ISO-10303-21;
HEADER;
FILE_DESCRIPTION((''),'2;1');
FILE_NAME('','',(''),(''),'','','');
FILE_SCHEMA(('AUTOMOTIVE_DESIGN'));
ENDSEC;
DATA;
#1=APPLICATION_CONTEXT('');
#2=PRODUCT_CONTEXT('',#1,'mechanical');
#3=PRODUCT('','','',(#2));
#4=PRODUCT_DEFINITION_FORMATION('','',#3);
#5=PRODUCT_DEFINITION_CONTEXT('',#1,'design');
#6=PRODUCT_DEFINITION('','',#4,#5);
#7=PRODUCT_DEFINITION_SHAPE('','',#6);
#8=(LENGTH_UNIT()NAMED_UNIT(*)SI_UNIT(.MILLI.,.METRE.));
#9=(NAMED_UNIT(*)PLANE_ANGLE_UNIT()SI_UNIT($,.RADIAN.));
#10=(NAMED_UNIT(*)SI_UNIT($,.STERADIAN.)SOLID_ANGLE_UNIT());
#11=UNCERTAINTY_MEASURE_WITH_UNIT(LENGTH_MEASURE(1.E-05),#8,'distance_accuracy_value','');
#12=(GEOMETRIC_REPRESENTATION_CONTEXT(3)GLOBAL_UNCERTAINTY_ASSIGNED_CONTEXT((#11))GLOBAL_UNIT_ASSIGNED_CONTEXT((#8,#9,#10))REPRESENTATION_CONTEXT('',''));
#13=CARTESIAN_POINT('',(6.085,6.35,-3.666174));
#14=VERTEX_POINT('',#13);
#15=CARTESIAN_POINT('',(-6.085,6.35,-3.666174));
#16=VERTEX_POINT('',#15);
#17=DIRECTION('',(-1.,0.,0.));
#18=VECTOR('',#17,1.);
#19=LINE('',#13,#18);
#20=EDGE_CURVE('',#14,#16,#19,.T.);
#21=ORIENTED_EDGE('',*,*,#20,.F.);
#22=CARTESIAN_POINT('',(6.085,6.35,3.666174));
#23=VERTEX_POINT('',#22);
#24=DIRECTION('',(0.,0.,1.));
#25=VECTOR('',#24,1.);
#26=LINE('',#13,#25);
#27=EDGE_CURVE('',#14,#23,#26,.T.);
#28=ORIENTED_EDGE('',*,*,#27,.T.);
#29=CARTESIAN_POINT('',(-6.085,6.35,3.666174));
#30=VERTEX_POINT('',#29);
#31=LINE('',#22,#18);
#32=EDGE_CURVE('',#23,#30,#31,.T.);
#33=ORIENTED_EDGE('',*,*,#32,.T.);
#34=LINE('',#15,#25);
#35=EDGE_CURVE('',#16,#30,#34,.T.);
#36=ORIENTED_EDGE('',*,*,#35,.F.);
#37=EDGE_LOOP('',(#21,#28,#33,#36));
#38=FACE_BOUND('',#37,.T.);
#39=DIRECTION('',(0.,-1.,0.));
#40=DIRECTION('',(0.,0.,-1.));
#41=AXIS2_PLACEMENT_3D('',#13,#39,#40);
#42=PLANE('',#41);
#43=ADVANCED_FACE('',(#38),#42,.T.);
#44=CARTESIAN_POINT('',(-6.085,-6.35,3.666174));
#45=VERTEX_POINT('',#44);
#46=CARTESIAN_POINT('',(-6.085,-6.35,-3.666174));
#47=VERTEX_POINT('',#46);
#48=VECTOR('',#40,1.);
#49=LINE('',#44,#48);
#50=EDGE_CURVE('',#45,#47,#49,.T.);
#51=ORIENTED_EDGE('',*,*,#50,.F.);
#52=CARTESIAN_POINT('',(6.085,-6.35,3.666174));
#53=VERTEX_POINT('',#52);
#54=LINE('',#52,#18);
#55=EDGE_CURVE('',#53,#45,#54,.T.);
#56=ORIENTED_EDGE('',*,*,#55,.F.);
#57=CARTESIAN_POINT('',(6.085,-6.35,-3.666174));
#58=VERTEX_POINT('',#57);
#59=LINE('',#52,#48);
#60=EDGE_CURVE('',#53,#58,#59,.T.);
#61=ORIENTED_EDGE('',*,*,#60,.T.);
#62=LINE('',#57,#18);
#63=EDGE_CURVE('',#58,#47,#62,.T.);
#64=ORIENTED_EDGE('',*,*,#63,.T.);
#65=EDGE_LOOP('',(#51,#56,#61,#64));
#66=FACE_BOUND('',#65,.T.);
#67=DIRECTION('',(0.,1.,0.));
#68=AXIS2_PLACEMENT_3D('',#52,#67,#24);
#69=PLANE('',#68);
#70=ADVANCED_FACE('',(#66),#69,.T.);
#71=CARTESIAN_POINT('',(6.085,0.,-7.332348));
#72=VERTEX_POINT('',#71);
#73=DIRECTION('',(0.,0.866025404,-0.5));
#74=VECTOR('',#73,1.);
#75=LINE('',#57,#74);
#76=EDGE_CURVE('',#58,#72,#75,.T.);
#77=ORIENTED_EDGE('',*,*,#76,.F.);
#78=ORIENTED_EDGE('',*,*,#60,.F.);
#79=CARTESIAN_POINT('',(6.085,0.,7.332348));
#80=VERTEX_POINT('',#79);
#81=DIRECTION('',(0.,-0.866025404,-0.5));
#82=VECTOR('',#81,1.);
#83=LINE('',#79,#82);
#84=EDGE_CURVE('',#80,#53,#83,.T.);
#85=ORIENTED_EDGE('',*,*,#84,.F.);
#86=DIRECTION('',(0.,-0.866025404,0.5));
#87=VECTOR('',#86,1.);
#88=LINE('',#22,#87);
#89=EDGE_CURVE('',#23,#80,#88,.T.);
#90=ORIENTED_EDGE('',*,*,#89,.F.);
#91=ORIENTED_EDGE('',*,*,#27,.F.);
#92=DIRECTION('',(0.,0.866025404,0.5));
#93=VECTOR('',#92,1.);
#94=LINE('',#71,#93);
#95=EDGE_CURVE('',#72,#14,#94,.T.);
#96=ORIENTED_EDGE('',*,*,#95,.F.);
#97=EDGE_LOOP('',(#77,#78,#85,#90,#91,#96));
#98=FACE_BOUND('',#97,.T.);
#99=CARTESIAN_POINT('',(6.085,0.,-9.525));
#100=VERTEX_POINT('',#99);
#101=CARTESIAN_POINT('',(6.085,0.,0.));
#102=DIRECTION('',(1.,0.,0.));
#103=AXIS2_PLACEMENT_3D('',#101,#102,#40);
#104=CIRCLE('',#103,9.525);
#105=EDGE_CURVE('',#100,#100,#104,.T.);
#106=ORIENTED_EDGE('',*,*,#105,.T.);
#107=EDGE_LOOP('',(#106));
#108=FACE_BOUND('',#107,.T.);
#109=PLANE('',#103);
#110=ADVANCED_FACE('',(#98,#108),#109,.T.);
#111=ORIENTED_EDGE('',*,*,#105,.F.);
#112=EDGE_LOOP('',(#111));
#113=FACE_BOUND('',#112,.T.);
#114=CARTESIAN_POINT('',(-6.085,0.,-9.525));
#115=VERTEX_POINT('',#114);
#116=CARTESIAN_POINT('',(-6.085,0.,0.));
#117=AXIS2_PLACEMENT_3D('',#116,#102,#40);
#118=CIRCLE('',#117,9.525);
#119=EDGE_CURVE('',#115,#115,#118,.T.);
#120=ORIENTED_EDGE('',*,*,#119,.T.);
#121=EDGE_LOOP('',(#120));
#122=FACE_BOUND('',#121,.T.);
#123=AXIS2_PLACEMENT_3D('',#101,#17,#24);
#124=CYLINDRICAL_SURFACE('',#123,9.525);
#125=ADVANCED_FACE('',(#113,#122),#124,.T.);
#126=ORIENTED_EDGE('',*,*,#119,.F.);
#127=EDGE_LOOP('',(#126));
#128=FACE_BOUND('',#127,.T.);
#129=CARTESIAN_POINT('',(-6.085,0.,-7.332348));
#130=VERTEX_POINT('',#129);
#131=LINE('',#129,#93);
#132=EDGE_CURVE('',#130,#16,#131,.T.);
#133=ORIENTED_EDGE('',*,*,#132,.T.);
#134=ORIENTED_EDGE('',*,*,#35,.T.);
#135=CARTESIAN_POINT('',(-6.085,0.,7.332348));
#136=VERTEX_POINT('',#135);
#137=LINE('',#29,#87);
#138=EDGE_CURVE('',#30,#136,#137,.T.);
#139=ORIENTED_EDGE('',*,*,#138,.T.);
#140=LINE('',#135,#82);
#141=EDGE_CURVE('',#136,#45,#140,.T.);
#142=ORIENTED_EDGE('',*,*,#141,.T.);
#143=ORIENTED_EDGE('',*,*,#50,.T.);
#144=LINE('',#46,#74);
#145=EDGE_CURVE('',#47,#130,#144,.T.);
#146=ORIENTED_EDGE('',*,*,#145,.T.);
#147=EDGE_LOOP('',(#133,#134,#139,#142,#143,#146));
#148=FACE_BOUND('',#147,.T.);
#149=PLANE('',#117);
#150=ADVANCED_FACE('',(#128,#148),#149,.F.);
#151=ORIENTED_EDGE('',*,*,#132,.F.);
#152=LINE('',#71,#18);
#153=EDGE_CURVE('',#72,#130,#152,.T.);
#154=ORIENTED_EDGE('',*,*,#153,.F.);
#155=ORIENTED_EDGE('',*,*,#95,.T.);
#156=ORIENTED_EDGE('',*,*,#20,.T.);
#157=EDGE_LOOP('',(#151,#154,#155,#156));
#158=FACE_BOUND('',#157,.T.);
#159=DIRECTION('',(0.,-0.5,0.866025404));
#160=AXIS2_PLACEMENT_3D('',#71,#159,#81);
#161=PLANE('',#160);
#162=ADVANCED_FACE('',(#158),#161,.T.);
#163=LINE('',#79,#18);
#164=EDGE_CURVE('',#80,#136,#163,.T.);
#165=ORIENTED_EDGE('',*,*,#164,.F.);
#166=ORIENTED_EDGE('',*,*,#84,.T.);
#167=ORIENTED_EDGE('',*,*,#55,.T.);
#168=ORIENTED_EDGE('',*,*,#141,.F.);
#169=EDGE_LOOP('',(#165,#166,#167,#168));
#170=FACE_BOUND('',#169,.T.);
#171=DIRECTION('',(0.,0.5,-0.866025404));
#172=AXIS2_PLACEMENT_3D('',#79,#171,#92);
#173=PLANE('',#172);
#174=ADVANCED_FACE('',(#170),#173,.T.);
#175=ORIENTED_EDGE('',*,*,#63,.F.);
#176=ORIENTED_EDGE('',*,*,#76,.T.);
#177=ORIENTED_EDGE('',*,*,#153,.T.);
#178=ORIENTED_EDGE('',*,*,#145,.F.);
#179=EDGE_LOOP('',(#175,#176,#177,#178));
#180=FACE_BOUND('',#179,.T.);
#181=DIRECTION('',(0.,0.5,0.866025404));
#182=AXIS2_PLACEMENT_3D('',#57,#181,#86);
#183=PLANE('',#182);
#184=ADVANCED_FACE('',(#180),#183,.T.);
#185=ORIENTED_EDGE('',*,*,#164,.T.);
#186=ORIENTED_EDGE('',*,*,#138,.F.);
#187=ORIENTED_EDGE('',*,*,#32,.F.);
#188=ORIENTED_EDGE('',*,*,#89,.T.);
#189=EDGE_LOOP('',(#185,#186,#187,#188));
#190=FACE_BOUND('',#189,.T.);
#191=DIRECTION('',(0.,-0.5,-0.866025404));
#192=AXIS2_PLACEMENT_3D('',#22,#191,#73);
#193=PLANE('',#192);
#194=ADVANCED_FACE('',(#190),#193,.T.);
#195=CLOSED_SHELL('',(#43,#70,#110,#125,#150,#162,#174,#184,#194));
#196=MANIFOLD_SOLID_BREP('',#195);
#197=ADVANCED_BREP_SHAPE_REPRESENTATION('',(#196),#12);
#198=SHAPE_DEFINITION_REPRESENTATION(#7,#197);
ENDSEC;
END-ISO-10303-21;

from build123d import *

# Parameters (mm, degrees)
SKETCH1_R           = 9.525
BOSS_EXTRUDE1_DEPTH = 6.085


with BuildPart() as part:
    # Sketch1 → Boss-Extrude1 (new, symmetric)
    with BuildSketch(Plane(origin=(0, 0, 0), x_dir=(0, 0, -1), z_dir=(1, 0, 0))):
        Circle(SKETCH1_R)
        Polygon((7.332348419, 0), (3.666174209, 6.35), (-3.666174209, 6.35), (-7.332348419, 0), (-3.666174209, -6.35), (3.666174209, -6.35), align=None, mode=Mode.SUBTRACT)
    extrude(amount=BOSS_EXTRUDE1_DEPTH, both=True)


solid = part.part
